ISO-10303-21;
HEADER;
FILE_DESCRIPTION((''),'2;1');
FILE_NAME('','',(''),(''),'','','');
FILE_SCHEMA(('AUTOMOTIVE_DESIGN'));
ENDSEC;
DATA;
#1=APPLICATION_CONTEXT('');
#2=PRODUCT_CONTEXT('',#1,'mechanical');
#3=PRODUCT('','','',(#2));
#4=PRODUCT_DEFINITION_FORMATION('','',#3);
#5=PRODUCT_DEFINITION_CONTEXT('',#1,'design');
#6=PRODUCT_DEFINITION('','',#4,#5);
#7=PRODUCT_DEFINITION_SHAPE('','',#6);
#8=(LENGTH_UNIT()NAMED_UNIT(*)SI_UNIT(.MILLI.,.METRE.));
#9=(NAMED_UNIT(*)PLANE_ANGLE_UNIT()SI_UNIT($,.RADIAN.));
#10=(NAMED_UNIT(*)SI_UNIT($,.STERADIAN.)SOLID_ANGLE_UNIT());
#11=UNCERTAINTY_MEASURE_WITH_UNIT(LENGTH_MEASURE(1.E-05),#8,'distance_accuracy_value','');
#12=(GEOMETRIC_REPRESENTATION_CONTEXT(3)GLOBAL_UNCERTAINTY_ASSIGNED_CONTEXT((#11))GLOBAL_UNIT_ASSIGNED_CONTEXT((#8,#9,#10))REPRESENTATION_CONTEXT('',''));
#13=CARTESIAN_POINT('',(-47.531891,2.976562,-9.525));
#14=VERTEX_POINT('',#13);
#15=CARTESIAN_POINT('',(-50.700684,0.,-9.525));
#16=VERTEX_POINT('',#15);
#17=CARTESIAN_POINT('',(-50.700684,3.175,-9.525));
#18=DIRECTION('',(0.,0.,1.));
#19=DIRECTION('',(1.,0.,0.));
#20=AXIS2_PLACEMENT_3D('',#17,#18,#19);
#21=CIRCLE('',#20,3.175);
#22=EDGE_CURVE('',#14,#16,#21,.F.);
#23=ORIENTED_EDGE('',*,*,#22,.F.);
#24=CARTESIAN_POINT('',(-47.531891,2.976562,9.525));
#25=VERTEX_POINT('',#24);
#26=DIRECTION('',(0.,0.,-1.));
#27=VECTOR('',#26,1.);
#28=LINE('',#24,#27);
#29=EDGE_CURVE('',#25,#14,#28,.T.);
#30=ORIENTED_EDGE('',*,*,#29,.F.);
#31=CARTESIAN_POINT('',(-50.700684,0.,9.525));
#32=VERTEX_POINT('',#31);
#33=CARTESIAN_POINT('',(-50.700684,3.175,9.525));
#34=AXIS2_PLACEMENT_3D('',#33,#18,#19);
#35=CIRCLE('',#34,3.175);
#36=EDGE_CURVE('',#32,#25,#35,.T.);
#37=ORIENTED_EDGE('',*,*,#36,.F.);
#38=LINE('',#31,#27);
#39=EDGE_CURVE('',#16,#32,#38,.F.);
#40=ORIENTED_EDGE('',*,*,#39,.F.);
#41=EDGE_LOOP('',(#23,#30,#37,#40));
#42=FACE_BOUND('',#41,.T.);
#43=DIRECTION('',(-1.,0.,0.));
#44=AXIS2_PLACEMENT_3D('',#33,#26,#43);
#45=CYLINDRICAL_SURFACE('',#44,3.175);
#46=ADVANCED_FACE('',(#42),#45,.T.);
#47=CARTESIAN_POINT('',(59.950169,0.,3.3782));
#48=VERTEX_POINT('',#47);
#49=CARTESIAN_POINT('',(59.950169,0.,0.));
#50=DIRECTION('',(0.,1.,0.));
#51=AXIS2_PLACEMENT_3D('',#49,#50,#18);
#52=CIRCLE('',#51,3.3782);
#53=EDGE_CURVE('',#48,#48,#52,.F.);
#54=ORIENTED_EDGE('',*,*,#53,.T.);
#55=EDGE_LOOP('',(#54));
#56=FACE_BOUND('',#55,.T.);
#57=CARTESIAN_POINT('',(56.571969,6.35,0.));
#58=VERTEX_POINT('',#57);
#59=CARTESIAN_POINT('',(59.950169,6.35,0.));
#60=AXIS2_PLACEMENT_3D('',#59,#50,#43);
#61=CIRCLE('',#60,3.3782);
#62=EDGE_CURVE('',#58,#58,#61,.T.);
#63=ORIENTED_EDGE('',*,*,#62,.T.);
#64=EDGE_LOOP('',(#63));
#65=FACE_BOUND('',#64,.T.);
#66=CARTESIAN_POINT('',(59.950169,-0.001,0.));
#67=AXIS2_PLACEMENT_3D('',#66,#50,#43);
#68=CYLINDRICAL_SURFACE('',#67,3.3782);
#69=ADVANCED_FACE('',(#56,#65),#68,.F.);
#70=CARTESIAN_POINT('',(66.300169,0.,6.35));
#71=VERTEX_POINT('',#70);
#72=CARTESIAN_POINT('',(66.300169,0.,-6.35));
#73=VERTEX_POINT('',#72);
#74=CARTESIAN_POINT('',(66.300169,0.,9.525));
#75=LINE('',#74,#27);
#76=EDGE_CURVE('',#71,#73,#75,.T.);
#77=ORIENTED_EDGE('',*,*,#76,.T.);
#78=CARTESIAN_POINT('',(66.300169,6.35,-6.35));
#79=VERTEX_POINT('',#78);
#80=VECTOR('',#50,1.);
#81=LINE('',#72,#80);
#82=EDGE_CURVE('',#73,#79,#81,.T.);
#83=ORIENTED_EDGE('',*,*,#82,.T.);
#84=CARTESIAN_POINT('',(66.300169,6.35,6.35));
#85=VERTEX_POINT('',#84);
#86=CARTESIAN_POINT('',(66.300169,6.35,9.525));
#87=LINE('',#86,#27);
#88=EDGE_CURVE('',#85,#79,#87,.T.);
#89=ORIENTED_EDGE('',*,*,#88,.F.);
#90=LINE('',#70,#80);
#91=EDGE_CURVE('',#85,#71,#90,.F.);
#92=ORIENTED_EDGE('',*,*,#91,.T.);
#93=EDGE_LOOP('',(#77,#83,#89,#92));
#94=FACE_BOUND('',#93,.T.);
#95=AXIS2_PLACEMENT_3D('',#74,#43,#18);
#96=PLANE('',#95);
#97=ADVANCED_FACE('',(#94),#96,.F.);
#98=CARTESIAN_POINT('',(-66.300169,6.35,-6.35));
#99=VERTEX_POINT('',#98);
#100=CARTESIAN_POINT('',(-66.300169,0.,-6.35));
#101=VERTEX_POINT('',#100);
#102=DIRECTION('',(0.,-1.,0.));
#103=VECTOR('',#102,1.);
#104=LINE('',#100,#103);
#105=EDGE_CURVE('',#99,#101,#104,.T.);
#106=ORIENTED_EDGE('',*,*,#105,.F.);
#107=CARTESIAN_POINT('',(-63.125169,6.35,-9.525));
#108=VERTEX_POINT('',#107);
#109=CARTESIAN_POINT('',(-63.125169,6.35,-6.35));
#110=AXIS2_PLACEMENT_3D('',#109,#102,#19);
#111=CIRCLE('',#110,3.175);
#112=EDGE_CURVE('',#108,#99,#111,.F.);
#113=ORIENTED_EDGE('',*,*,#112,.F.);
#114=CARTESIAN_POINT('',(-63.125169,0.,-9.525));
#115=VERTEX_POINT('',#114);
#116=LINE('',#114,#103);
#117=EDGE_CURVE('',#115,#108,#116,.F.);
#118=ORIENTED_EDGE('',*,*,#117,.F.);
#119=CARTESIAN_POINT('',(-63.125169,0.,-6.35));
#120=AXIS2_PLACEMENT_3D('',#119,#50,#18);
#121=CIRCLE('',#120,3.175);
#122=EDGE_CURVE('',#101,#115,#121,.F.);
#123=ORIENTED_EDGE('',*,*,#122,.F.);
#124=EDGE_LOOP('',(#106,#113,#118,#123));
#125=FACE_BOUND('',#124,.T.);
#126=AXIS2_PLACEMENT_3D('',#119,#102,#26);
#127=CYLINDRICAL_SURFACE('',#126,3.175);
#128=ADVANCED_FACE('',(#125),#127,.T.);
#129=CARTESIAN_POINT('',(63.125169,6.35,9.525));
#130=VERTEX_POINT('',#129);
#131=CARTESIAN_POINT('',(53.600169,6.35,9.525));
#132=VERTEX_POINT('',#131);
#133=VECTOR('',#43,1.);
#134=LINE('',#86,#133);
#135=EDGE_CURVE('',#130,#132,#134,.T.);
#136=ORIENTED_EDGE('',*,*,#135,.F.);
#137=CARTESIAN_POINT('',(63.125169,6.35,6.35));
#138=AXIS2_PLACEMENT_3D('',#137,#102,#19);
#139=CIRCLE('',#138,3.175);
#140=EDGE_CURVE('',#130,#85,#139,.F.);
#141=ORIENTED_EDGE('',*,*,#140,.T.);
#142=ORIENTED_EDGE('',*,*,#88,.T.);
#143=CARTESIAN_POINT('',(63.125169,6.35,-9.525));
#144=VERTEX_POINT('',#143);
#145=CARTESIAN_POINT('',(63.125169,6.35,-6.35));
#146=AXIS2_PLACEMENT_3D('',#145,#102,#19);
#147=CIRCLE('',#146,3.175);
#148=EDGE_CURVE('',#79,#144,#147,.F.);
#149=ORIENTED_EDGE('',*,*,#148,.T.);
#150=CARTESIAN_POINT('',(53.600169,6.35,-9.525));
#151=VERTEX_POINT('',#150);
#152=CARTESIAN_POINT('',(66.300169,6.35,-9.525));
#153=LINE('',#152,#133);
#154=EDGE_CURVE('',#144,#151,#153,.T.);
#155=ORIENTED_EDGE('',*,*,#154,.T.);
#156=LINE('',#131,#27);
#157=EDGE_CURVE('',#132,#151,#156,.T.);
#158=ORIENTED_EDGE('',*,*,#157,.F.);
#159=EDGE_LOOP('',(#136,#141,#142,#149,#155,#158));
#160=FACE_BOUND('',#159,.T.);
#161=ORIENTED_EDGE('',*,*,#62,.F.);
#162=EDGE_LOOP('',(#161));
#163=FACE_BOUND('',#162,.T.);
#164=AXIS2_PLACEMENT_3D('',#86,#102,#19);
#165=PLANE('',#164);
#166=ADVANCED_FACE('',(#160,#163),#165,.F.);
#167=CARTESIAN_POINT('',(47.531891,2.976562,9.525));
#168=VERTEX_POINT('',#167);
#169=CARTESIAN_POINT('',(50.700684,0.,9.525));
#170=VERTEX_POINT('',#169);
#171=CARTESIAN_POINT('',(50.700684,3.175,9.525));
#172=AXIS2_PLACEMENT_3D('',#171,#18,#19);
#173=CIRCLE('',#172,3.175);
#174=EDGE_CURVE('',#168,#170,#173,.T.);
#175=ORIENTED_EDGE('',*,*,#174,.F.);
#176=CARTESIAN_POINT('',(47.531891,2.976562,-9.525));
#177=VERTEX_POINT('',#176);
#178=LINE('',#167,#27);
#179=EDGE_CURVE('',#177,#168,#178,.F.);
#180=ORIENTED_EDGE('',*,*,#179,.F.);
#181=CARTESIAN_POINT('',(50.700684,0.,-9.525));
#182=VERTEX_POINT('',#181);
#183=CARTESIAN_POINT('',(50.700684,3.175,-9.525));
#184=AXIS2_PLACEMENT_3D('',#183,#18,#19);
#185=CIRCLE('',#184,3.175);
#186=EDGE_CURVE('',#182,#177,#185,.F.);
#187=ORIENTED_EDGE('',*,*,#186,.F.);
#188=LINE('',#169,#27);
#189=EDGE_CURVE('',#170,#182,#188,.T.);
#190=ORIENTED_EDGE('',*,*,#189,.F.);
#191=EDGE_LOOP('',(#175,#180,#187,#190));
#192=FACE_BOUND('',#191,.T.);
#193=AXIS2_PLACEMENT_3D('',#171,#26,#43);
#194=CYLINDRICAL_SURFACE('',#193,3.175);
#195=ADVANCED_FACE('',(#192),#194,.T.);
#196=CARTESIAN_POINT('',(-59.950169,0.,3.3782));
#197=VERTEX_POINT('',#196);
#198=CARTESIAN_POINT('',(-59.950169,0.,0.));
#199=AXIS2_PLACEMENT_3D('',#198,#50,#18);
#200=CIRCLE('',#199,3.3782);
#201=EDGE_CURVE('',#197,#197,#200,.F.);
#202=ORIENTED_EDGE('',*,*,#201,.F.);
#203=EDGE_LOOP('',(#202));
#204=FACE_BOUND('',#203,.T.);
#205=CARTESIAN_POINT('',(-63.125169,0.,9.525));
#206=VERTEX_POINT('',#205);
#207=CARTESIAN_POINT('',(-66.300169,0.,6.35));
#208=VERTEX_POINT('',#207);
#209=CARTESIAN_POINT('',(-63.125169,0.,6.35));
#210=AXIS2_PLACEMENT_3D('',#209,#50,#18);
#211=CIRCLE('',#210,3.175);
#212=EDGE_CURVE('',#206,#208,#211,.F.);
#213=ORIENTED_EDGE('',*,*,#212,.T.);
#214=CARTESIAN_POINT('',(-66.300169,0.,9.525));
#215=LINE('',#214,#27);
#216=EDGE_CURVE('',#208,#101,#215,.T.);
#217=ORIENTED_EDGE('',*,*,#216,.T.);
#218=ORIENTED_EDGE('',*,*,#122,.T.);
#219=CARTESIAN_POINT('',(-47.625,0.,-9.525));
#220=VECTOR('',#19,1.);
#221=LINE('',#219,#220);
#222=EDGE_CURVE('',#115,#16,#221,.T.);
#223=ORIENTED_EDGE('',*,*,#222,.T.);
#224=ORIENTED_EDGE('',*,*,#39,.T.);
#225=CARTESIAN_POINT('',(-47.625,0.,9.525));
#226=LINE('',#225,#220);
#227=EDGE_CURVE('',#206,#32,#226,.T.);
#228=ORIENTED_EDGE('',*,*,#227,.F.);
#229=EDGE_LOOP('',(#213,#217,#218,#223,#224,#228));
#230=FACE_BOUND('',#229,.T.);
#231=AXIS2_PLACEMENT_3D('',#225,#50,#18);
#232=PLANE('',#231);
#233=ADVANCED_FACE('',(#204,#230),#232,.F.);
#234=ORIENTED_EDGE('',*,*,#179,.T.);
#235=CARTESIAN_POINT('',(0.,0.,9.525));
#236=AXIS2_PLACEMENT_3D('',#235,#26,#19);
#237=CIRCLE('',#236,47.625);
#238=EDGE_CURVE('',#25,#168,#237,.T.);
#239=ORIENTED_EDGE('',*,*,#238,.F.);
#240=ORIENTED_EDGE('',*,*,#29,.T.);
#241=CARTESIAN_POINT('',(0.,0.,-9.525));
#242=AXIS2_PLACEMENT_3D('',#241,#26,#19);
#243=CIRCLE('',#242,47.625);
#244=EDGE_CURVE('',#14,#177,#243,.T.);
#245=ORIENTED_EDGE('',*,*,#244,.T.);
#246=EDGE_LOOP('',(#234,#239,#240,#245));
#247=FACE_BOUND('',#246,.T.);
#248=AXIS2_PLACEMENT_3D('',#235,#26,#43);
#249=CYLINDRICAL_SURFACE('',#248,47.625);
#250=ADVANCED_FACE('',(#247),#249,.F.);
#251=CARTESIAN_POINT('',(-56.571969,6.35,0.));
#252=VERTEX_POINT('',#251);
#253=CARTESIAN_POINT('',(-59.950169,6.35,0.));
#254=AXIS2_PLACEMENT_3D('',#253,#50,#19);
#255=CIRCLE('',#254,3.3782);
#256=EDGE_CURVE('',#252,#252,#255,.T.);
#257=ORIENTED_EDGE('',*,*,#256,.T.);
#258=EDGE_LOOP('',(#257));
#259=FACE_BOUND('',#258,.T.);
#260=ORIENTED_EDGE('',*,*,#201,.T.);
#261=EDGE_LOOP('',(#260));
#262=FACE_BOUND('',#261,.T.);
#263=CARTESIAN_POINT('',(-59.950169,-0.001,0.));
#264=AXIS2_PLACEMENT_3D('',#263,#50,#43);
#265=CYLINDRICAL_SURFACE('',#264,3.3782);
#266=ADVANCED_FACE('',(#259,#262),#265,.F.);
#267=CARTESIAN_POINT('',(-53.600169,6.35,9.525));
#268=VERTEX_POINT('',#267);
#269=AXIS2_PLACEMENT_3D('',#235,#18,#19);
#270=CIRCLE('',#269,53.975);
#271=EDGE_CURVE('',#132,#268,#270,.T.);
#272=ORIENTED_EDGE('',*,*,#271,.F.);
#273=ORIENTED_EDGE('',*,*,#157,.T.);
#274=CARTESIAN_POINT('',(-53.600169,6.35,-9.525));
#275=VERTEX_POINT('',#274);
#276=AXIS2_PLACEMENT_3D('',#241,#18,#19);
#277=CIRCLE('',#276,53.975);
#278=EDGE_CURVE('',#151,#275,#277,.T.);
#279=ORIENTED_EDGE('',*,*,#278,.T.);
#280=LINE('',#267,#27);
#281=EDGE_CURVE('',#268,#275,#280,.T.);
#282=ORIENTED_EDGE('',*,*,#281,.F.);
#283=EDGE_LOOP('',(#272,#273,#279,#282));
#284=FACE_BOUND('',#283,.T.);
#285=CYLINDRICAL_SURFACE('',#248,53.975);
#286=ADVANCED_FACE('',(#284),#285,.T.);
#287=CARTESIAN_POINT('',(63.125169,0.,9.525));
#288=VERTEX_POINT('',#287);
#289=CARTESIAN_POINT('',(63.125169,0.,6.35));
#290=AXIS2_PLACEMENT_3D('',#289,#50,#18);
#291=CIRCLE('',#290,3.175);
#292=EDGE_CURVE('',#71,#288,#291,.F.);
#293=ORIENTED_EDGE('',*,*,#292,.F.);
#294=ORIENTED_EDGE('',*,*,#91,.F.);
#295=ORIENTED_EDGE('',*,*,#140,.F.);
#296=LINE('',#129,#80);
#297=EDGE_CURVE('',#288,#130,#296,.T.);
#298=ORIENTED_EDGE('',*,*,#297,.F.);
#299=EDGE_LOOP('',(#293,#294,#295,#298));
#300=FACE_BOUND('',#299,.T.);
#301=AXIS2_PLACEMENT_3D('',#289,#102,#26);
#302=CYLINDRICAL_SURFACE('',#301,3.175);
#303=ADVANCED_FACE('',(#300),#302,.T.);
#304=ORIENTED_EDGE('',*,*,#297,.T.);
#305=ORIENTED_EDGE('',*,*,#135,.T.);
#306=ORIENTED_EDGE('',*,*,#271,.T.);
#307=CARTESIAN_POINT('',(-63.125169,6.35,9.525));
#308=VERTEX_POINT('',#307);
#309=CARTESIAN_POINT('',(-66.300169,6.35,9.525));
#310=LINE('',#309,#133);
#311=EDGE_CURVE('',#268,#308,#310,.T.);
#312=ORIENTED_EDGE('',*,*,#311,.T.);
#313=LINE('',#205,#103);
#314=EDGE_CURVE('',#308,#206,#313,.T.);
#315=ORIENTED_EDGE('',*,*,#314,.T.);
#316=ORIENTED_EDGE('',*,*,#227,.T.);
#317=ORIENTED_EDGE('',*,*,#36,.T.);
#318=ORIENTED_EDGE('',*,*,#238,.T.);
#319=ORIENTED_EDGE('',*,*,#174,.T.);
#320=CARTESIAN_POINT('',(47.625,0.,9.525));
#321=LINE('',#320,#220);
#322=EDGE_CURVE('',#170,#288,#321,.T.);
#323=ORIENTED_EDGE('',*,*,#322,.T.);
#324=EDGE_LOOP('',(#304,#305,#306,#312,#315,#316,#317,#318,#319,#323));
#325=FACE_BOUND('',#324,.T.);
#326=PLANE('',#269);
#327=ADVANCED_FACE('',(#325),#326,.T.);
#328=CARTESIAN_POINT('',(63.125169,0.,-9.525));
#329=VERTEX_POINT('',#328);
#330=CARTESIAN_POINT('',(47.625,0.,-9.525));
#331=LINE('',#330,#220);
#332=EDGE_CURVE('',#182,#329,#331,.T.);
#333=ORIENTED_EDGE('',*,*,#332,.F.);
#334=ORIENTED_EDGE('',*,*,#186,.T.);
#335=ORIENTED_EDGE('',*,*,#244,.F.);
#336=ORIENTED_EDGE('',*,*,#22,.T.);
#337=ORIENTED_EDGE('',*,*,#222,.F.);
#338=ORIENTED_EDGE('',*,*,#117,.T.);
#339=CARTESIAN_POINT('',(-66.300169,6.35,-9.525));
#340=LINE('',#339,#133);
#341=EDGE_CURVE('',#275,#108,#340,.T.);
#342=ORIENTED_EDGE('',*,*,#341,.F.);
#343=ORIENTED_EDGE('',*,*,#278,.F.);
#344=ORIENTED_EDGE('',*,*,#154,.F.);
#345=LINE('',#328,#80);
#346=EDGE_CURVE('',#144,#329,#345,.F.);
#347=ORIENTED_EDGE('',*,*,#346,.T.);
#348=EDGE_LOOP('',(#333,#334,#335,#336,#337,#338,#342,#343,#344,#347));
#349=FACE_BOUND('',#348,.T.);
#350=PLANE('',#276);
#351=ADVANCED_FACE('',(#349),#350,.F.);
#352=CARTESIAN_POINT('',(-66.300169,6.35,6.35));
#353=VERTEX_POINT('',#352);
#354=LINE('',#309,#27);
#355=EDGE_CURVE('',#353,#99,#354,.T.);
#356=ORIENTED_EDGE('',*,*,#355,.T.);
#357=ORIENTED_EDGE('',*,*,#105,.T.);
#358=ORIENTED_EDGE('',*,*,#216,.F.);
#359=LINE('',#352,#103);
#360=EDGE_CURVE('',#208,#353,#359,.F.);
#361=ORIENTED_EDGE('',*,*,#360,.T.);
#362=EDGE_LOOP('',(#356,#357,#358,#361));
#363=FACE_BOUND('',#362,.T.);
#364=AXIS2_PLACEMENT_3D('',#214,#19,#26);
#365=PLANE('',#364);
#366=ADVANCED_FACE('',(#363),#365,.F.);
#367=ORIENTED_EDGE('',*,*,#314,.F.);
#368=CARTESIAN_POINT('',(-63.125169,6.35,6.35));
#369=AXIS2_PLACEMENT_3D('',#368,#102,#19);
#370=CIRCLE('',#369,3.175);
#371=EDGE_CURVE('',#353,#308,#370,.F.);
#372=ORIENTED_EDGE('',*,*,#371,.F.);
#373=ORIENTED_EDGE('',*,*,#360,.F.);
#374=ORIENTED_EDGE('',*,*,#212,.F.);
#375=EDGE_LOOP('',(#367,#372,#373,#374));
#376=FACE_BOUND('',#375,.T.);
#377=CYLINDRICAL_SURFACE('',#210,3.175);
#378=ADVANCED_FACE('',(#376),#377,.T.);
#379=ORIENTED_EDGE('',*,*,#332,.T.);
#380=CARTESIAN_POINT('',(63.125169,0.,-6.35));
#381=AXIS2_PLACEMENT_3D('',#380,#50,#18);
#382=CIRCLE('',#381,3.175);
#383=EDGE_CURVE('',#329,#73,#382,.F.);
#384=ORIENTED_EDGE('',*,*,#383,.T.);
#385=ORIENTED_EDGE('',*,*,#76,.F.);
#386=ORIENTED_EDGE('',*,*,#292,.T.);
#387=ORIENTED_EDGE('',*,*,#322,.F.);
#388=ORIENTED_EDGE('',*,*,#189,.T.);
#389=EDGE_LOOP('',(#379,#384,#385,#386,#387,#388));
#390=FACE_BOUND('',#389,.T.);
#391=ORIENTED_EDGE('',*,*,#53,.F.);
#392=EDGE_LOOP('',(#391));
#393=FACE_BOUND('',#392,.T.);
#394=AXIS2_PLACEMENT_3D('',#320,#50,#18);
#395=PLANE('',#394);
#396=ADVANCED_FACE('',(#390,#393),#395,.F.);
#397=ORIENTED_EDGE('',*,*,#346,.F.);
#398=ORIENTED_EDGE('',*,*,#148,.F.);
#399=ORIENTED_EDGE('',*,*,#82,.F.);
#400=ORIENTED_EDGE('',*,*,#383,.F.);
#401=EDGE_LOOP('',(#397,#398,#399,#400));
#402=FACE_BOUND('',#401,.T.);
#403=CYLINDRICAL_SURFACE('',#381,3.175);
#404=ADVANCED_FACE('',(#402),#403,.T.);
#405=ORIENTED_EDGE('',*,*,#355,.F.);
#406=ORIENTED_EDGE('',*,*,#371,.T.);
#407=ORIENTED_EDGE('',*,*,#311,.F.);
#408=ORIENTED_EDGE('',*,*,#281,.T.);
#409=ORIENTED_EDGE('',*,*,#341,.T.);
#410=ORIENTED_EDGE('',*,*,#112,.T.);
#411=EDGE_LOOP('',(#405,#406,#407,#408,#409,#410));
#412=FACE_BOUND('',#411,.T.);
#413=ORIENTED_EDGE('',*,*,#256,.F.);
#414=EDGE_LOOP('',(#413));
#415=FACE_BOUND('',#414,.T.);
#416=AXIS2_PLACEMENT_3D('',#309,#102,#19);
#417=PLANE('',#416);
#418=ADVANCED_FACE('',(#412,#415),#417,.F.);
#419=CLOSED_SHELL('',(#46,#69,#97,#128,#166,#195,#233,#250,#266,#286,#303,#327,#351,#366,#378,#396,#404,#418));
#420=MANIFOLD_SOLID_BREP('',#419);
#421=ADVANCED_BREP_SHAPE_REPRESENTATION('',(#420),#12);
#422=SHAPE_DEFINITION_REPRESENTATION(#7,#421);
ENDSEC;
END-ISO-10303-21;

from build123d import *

# Parameters (mm, degrees)
BOSS_EXTRUDE1_DEPTH = 9.525
CUT_EXTRUDE1_REACH  = 84.186
SKETCH3_R           = 3.3782
FILLET1_R           = 3.175


with BuildPart() as part:
    # Sketch2 → Boss-Extrude1 (new, symmetric)
    with BuildSketch(Plane.XY):
        with BuildLine():
            Line((47.625, 0), (66.300169076, 0))
            Line((66.300169076, 0), (66.300169076, 6.35))
            Line((66.300169076, 6.35), (53.600169076, 6.35))
            ThreePointArc((53.600169076, 6.35), (0, 53.975), (-53.600169076, 6.35))
            Line((-53.600169076, 6.35), (-66.300169076, 6.35))
            Line((-66.300169076, 6.35), (-66.300169076, 0))
            Line((-66.300169076, 0), (-47.625, 0))
            ThreePointArc((-47.625, 0), (0, 47.625), (47.625, 0))
        make_face()
    extrude(amount=BOSS_EXTRUDE1_DEPTH, both=True)

    # Sketch3 → Cut-Extrude1 (cut, up to next)
    with BuildSketch(Plane(origin=(0, 6.35, 0), x_dir=(1, 0, 0), z_dir=(0, 1, 0)), mode=Mode.PRIVATE) as cut_extrude1_sk1:
        with Locations(Location((59.950169076, 0, 0), (0, 0, 180))):
            Circle(SKETCH3_R)
    cut_extrude1_tool1 = extrude(cut_extrude1_sk1.sketch, amount=-CUT_EXTRUDE1_REACH, mode=Mode.PRIVATE) & part.part
    # Sketch3 → Cut-Extrude1 (cut, up to next)
    with BuildSketch(Plane(origin=(0, 6.35, 0), x_dir=(1, 0, 0), z_dir=(0, 1, 0)), mode=Mode.PRIVATE) as cut_extrude1_sk2:
        with Locations(Location((-59.950169076, 0, 0), (0, 0, 270))):
            Circle(SKETCH3_R)
    cut_extrude1_tool2 = extrude(cut_extrude1_sk2.sketch, amount=-CUT_EXTRUDE1_REACH, mode=Mode.PRIVATE) & part.part
    add(cut_extrude1_tool1.solids().sort_by_distance((59.950169, 6.35, 0))[0], mode=Mode.SUBTRACT)
    add(cut_extrude1_tool2.solids().sort_by_distance((-59.950169, 6.35, 0))[0], mode=Mode.SUBTRACT)

    # Fillet1
    fillet1_edges = [part.edges().sort_by_distance(p)[0] for p in [
        (66.300169076, 3.175, -9.525),
        (66.300169076, 3.175, 9.525),
        (-47.625, 0, 0),
        (47.625, 0, 0),
        (-66.300169076, 3.175, 9.525),
        (-66.300169076, 3.175, -9.525),
    ]]
    fillet(fillet1_edges, radius=FILLET1_R)


solid = part.part
